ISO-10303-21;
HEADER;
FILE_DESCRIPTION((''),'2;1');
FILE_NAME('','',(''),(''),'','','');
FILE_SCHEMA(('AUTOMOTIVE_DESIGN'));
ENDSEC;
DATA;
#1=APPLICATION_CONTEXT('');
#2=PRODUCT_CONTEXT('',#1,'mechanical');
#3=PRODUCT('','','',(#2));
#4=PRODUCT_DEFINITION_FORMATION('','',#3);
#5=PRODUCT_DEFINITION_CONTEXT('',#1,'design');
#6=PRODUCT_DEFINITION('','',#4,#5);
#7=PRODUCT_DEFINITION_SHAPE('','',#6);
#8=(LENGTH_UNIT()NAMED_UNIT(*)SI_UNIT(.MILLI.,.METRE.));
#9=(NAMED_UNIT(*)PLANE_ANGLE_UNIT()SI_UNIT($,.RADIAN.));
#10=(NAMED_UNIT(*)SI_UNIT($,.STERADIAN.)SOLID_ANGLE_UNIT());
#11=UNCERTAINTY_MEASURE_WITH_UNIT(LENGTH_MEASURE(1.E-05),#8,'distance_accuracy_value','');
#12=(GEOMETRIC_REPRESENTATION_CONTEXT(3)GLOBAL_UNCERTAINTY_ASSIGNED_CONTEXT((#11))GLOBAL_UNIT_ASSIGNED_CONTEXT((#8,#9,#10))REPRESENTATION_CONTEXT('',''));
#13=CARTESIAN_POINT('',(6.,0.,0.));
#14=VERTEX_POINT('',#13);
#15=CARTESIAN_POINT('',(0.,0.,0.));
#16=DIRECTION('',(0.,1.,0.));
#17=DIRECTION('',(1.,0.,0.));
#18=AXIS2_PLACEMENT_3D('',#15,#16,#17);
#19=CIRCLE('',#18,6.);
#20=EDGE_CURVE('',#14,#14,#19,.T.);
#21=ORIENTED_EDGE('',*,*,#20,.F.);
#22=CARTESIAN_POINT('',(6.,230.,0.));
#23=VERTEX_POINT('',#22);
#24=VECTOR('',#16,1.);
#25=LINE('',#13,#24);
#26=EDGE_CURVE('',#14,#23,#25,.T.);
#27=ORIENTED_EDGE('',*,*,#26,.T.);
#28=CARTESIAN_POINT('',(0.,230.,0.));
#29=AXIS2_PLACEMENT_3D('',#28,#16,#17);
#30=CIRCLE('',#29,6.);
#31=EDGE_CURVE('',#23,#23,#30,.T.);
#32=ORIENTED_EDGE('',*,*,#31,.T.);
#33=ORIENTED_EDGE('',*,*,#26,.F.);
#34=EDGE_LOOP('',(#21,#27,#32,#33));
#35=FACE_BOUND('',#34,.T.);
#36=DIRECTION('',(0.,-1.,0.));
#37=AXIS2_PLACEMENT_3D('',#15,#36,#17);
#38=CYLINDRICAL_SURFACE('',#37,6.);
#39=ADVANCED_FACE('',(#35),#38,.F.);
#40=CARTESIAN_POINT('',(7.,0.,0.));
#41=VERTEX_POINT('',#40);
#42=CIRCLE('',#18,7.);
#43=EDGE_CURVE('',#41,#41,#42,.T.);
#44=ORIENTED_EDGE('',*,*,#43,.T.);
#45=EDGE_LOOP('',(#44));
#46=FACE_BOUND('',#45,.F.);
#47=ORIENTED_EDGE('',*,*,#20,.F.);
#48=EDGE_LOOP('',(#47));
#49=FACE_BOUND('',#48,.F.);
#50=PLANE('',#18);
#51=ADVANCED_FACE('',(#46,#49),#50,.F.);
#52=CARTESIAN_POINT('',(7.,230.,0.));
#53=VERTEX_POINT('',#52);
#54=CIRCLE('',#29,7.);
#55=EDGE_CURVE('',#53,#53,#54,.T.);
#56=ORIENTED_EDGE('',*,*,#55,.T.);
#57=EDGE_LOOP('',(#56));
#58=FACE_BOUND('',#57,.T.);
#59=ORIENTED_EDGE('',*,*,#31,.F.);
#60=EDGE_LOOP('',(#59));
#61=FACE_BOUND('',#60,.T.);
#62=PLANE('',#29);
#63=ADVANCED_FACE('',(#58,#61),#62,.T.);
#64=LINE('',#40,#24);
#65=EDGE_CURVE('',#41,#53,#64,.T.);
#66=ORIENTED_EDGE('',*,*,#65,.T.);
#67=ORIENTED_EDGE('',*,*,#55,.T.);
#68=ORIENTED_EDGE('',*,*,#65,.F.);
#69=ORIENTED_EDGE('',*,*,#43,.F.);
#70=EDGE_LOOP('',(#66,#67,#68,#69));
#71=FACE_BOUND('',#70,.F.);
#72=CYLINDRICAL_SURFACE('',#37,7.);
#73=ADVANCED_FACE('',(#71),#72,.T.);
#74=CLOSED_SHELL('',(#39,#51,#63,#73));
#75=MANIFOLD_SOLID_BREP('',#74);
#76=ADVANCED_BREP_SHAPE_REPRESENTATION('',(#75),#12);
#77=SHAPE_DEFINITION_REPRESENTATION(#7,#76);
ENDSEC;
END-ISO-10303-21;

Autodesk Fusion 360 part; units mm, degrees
sketch "Arm Cross Section" plane through (0, 0, 0) normal (0, 1, 0) x (1, 0, 0)
  circle A0 centre (0, 0) radius 7
  circle A1 centre (0, 0) radius 6
  dimension "d1" = 14
  dimension "d2" = 12
extrude "Extrude1" add sketch "Arm Cross Section" along normal blind 230
